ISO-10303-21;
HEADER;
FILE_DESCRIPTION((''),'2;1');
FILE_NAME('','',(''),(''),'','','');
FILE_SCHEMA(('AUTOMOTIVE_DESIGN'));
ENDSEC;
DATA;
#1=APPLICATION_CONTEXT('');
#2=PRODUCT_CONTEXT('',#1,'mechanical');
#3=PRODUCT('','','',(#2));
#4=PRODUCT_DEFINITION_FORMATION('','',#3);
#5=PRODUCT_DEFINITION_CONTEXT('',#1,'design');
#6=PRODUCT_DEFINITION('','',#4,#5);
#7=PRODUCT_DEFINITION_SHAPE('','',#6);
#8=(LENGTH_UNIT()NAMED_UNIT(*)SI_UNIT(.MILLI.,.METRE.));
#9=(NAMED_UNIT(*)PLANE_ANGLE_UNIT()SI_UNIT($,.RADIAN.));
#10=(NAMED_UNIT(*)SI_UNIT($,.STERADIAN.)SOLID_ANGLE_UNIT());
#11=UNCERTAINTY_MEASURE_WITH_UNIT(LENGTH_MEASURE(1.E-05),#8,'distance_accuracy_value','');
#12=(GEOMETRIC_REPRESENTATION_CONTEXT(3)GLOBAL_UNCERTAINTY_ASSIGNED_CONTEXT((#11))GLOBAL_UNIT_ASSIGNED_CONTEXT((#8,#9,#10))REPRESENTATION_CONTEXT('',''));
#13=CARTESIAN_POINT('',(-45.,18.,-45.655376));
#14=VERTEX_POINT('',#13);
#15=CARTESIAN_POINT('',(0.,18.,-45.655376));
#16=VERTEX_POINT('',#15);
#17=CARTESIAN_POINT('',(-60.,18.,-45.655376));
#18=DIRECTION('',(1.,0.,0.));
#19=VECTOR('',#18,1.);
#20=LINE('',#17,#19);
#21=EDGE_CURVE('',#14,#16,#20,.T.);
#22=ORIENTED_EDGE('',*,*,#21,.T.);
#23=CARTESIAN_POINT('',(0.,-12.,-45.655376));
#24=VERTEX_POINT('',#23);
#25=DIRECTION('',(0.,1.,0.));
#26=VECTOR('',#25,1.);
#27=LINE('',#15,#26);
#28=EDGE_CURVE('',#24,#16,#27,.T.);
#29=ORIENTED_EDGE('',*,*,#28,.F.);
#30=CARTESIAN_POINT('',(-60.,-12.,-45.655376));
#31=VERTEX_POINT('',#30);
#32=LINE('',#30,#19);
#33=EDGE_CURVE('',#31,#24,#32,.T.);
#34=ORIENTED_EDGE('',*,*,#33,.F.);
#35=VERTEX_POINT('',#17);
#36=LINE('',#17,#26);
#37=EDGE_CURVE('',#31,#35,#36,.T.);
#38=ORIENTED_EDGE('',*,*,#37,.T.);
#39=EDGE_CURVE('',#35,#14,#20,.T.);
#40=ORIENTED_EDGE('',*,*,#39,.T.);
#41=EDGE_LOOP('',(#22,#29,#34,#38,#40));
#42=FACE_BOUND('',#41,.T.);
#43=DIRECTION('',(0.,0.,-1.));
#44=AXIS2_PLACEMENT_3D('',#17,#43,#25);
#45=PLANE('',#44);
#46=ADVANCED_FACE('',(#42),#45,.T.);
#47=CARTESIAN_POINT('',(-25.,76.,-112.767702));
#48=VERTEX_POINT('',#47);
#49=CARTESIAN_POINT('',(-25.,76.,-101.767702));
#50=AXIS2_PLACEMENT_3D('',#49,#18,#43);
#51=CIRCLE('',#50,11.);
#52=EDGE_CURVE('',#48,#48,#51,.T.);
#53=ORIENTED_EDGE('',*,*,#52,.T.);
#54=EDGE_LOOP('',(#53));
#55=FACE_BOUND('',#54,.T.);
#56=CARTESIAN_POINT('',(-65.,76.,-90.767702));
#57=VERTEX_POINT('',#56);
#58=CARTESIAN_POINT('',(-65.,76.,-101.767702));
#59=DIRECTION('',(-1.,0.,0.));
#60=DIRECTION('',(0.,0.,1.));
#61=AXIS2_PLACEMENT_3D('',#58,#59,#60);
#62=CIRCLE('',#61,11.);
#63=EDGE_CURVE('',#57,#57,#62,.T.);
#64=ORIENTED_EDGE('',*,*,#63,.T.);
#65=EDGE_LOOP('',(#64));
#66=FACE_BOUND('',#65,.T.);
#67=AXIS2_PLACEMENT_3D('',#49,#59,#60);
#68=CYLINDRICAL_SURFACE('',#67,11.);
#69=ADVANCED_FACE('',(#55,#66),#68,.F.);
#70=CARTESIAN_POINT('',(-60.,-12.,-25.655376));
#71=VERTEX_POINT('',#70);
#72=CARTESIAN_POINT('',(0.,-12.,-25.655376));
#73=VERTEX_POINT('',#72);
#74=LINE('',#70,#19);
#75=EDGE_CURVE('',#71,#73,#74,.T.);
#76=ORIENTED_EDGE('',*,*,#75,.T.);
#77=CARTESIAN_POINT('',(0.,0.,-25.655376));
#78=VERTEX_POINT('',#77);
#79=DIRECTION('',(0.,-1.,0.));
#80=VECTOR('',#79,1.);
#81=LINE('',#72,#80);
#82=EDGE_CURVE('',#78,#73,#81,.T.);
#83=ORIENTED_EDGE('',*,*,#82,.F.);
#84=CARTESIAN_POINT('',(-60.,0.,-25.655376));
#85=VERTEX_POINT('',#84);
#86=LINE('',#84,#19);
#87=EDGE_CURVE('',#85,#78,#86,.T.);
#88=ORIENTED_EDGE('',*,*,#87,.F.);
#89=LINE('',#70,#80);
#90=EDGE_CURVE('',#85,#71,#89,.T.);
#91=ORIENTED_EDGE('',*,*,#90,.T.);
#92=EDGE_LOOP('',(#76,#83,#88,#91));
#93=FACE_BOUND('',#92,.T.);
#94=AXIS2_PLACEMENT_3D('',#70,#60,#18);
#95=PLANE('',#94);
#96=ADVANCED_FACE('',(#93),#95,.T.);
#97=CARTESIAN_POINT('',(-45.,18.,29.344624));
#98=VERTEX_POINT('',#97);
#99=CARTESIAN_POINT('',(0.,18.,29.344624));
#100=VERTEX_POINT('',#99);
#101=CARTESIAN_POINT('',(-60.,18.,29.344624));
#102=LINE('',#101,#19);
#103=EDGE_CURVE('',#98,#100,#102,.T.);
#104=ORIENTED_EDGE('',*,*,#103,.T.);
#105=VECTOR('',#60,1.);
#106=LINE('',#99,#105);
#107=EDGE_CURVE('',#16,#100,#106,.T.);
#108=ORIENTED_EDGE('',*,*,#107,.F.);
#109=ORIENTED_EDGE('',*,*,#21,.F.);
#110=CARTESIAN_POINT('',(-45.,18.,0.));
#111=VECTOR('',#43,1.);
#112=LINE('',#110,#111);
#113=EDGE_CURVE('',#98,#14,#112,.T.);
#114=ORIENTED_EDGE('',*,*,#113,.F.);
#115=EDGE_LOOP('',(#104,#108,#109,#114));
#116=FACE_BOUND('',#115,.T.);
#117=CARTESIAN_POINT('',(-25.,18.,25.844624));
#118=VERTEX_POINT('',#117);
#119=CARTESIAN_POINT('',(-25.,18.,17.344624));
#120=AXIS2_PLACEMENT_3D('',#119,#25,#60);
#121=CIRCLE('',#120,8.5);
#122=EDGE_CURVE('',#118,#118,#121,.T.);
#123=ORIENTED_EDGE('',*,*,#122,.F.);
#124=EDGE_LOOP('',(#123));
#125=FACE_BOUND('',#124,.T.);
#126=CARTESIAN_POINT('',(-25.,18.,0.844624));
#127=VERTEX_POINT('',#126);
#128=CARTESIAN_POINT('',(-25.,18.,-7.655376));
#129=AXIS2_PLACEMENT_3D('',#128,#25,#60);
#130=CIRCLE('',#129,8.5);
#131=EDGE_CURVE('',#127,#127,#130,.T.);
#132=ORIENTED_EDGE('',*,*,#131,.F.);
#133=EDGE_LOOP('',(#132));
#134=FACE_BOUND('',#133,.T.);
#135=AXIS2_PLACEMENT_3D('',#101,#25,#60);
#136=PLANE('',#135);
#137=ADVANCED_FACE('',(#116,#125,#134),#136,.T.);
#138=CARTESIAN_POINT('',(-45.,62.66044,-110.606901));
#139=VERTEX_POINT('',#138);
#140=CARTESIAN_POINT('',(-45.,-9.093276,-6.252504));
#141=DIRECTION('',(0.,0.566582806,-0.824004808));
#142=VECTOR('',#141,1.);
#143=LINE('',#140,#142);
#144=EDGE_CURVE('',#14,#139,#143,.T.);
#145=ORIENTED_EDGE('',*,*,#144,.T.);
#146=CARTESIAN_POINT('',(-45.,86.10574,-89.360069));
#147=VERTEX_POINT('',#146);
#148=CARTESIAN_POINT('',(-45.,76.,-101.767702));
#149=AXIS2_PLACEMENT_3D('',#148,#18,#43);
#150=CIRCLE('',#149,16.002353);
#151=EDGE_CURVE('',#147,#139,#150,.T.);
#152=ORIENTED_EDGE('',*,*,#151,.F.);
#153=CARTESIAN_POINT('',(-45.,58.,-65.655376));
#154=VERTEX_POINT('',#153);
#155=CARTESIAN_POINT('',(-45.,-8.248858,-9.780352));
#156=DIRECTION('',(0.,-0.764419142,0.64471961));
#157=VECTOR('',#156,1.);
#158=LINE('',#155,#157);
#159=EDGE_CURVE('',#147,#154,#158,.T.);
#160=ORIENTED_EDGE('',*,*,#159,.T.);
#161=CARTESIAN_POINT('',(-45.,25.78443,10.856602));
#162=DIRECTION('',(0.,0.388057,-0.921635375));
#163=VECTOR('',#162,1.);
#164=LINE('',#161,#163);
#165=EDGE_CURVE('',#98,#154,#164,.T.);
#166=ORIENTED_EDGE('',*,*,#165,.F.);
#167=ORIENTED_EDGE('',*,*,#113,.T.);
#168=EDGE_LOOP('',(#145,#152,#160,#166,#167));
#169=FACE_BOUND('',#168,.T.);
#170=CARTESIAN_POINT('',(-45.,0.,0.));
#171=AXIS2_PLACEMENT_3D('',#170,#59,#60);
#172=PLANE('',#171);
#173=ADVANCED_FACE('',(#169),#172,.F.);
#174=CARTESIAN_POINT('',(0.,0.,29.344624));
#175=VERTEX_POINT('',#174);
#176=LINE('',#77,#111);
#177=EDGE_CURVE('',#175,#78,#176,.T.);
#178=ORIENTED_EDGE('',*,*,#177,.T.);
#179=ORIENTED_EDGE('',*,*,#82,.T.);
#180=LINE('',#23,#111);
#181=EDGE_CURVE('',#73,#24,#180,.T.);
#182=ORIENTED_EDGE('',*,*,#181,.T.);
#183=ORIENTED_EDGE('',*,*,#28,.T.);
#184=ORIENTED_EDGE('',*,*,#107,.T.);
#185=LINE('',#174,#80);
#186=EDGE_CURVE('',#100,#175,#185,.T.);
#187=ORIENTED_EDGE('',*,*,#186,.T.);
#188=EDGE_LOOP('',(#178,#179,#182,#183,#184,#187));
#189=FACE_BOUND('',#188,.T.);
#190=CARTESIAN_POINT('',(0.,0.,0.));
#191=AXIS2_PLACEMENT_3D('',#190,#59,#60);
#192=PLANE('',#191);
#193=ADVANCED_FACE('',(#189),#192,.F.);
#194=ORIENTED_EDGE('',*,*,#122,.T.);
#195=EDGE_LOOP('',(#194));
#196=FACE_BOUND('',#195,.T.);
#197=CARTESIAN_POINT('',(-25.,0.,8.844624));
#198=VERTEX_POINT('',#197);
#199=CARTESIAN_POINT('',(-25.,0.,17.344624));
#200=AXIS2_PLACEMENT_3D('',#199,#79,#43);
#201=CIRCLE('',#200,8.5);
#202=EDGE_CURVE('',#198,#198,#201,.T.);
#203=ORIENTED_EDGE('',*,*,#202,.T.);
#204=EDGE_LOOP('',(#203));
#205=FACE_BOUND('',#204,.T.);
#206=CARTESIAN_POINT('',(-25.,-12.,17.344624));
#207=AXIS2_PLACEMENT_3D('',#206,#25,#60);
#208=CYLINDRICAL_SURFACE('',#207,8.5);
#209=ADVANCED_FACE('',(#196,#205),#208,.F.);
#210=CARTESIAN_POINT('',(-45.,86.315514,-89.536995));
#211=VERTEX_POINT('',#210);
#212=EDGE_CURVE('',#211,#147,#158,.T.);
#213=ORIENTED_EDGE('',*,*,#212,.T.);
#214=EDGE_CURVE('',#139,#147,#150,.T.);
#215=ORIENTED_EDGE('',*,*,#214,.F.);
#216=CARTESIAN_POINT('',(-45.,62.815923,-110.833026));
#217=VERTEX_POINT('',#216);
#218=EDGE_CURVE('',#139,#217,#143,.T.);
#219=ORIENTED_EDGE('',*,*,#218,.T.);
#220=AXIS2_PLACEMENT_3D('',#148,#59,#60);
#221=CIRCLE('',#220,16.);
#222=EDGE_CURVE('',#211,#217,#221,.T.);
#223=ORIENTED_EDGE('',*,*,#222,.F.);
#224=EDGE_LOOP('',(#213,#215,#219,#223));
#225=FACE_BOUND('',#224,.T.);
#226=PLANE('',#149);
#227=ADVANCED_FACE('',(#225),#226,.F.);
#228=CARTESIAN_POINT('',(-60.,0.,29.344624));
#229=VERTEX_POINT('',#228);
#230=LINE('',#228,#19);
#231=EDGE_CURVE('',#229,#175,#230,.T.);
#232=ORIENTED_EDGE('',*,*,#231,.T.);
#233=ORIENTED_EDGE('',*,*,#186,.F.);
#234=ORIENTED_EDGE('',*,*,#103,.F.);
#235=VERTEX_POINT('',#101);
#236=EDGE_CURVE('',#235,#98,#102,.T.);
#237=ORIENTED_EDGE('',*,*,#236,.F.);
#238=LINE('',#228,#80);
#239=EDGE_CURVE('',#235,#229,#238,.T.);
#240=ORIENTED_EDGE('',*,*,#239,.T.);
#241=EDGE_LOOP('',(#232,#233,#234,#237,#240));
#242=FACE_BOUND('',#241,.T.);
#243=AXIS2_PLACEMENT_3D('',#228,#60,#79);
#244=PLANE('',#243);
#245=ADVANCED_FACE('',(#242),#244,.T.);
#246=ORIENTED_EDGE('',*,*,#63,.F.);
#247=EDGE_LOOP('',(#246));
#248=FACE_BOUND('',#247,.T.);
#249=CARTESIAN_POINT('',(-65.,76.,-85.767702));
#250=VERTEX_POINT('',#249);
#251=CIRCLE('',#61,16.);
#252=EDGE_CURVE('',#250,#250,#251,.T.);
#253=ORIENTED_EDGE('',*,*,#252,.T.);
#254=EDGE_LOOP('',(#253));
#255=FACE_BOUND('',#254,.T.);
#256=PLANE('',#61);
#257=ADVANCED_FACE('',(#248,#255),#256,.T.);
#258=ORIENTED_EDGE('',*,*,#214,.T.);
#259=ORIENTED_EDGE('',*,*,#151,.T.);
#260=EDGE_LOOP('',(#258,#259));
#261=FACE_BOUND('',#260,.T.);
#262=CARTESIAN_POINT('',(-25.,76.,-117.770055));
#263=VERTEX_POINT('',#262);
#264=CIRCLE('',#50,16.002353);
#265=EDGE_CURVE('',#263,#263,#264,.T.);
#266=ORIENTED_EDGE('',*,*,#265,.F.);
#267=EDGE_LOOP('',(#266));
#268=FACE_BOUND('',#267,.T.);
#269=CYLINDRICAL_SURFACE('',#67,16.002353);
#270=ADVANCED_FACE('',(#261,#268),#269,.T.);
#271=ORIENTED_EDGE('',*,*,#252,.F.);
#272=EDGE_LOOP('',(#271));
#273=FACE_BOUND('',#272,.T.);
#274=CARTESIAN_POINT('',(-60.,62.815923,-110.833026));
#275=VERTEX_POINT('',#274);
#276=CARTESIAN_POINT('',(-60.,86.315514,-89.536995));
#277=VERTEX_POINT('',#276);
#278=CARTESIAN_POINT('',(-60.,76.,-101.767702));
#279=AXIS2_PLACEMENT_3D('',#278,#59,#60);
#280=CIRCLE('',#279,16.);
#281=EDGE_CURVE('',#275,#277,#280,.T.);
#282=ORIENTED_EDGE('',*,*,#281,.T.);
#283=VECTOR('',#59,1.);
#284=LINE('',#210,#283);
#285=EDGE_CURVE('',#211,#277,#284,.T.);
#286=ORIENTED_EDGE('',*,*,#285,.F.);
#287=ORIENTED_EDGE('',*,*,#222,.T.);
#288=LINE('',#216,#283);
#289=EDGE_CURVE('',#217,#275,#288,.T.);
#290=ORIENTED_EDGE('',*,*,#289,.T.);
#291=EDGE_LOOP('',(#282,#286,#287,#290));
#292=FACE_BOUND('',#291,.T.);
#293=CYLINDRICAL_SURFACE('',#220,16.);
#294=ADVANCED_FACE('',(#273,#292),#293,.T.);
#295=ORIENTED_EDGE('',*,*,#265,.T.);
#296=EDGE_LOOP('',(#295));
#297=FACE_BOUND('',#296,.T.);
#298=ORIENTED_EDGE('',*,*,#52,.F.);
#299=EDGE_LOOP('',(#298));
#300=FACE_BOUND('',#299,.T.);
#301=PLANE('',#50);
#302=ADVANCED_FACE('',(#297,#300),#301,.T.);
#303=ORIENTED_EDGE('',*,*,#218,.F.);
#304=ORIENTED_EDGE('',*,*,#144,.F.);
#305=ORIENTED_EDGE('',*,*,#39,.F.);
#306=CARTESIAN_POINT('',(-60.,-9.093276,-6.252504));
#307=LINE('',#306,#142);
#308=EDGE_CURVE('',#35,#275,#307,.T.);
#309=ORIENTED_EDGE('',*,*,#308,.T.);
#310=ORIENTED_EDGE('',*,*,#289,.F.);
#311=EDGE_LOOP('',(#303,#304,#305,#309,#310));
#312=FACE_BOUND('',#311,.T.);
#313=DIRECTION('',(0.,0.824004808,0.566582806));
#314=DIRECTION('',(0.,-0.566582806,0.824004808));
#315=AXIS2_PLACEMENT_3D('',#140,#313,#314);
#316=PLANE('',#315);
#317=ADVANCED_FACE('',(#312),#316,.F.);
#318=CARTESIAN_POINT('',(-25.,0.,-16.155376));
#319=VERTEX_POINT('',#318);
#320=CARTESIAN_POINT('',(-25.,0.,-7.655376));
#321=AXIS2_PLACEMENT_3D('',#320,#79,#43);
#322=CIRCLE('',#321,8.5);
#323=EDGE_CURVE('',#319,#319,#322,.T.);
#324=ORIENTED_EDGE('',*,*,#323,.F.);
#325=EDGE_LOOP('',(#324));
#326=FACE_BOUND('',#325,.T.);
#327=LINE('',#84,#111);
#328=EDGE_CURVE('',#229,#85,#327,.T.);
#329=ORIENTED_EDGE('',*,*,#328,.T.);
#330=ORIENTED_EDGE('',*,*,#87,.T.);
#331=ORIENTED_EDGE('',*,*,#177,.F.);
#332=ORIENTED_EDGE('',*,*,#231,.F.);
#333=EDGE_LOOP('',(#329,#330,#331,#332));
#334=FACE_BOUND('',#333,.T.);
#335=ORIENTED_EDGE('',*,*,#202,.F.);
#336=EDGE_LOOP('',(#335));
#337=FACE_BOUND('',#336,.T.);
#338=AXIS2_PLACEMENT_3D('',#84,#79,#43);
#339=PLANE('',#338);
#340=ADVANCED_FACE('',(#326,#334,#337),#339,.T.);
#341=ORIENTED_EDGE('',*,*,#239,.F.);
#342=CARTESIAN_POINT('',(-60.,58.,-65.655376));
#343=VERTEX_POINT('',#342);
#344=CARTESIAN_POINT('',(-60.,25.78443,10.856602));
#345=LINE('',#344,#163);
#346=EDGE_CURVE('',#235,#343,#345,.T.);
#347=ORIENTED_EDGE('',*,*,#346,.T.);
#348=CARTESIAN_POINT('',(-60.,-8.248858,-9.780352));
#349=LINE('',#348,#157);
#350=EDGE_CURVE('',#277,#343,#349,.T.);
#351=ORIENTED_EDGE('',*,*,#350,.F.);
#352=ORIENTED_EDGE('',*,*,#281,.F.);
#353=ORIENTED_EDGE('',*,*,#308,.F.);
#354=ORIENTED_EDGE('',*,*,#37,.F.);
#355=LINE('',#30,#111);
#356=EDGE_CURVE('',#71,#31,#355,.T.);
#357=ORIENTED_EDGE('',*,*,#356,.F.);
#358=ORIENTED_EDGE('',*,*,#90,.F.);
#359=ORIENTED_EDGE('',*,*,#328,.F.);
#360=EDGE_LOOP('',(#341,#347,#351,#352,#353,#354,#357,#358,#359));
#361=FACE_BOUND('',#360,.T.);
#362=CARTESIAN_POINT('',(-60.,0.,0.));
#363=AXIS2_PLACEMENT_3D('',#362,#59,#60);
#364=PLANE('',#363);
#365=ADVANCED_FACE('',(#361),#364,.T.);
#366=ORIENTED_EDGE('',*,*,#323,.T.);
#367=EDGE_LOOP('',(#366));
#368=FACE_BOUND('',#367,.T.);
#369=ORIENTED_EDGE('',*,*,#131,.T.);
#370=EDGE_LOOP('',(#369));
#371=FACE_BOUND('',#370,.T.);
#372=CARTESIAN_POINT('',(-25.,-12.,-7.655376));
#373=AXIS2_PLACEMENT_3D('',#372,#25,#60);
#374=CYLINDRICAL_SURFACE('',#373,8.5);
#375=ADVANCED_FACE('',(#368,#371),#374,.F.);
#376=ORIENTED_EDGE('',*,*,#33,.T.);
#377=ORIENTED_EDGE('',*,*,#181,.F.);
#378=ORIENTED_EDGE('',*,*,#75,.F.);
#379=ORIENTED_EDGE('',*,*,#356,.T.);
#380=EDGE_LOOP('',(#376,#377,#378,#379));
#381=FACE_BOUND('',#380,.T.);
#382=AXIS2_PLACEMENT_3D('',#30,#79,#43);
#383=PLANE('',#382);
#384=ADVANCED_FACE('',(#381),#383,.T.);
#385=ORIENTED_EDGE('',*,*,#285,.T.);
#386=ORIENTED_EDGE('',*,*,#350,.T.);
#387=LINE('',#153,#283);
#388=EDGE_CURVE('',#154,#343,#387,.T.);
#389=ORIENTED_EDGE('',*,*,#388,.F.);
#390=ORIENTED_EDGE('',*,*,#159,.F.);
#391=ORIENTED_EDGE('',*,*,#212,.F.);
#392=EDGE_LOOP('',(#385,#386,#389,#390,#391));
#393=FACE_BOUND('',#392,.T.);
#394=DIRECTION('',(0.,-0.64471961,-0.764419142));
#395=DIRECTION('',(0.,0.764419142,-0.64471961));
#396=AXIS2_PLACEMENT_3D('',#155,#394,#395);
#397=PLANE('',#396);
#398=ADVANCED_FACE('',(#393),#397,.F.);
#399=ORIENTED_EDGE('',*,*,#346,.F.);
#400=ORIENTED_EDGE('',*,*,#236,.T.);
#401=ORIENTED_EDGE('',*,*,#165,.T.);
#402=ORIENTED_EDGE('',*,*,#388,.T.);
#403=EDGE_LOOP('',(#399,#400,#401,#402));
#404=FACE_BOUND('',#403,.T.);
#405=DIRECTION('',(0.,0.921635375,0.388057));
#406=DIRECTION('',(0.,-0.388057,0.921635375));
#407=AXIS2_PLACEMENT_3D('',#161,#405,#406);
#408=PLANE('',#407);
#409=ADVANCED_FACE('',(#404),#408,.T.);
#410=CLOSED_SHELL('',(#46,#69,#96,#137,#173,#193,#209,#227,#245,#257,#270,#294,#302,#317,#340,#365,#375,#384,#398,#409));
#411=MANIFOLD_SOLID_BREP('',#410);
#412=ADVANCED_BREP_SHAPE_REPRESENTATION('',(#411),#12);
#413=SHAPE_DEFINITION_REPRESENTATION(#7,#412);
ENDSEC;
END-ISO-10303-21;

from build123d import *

# Parameters (mm, degrees)
BOSS_EXTRUDE1_DEPTH = 60
BOSS_EXTRUDE2_DEPTH = 15
SKETCH3_R           = 16.002353199
SKETCH3_R_2         = 11
BOSS_EXTRUDE3_DEPTH = 20
BOSS_EXTRUDE4_START = 5
SKETCH4_R           = 16
SKETCH4_R_2         = 11
BOSS_EXTRUDE4_DEPTH = 5
SKETCH5_R           = 11
CUT_EXTRUDE2_DEPTH  = 157.074401446
SKETCH6_R           = 8.5
CUT_EXTRUDE3_DEPTH  = 154.528935617


with BuildPart() as part:
    # Sketch1 → Boss-Extrude1 (new body)
    with BuildSketch(Plane(origin=(0, 0, 0), x_dir=(0, 0, -1), z_dir=(1, 0, 0))):
        Polygon((-29.344624104, 0), (-29.344624104, 18), (45.655375896, 18), (45.655375896, -12), (25.655375896, -12), (25.655375896, 0), align=None)
    extrude(amount=-BOSS_EXTRUDE1_DEPTH)

    # Sketch2 → Boss-Extrude2 (add)
    with BuildSketch(Plane.ZY.offset(60)):
        with BuildLine():
            Line((-45.655375896, 18), (29.344624104, 18))
            Line((29.344624104, 18), (-65.655375896, 58))
            Line((-65.655375896, 58), (-89.536995268, 86.31551376))
            ThreePointArc((-89.536995268, 86.31551376), (-113.623611479, 86.744179795), (-110.833026428, 62.815923064))
            Line((-110.833026428, 62.815923064), (-45.655375896, 18))
        make_face()
    extrude(amount=-BOSS_EXTRUDE2_DEPTH)

    # Sketch3 → Boss-Extrude3 (add)
    with BuildSketch(Plane(origin=(-45, 0, 0), x_dir=(0, 0, -1), z_dir=(1, 0, 0))):
        with Locations(Location((101.767701538, 76, 0), (0, 0, 140.837952037))):
            Circle(SKETCH3_R)
        with Locations((101.767701538, 76)):
            Circle(SKETCH3_R_2, mode=Mode.SUBTRACT)
    extrude(amount=BOSS_EXTRUDE3_DEPTH)

    # Sketch4 → Boss-Extrude4 (add)
    with BuildSketch(Plane.ZY.offset(60).offset(BOSS_EXTRUDE4_START)):
        with Locations((-101.767701538, 76)):
            Circle(SKETCH4_R)
        with Locations(Location((-101.767701538, 76, 0), (0, 0, 180))):
            Circle(SKETCH4_R_2, mode=Mode.SUBTRACT)
    extrude(amount=-BOSS_EXTRUDE4_DEPTH)

    # Sketch5 → Cut-Extrude2 (cut, through all)
    with BuildSketch(Plane(origin=(-45, 0, 0), x_dir=(0, 0, -1), z_dir=(1, 0, 0))):
        with Locations(Location((101.767701538, 76, 0), (0, 0, 180))):
            Circle(SKETCH5_R)
    extrude(amount=-CUT_EXTRUDE2_DEPTH, mode=Mode.SUBTRACT)

    # Sketch6 → Cut-Extrude3 (cut, through all)
    with BuildSketch(Plane(origin=(0, 18, 0), x_dir=(1, 0, 0), z_dir=(0, 1, 0))):
        with Locations(Location((-25, -17.344624104, 0), (0, 0, 270))):
            Circle(SKETCH6_R)
        with Locations(Location((-25, 7.655375896, 0), (0, 0, 270))):
            Circle(SKETCH6_R)
    extrude(amount=-CUT_EXTRUDE3_DEPTH, mode=Mode.SUBTRACT)


solid = part.part
